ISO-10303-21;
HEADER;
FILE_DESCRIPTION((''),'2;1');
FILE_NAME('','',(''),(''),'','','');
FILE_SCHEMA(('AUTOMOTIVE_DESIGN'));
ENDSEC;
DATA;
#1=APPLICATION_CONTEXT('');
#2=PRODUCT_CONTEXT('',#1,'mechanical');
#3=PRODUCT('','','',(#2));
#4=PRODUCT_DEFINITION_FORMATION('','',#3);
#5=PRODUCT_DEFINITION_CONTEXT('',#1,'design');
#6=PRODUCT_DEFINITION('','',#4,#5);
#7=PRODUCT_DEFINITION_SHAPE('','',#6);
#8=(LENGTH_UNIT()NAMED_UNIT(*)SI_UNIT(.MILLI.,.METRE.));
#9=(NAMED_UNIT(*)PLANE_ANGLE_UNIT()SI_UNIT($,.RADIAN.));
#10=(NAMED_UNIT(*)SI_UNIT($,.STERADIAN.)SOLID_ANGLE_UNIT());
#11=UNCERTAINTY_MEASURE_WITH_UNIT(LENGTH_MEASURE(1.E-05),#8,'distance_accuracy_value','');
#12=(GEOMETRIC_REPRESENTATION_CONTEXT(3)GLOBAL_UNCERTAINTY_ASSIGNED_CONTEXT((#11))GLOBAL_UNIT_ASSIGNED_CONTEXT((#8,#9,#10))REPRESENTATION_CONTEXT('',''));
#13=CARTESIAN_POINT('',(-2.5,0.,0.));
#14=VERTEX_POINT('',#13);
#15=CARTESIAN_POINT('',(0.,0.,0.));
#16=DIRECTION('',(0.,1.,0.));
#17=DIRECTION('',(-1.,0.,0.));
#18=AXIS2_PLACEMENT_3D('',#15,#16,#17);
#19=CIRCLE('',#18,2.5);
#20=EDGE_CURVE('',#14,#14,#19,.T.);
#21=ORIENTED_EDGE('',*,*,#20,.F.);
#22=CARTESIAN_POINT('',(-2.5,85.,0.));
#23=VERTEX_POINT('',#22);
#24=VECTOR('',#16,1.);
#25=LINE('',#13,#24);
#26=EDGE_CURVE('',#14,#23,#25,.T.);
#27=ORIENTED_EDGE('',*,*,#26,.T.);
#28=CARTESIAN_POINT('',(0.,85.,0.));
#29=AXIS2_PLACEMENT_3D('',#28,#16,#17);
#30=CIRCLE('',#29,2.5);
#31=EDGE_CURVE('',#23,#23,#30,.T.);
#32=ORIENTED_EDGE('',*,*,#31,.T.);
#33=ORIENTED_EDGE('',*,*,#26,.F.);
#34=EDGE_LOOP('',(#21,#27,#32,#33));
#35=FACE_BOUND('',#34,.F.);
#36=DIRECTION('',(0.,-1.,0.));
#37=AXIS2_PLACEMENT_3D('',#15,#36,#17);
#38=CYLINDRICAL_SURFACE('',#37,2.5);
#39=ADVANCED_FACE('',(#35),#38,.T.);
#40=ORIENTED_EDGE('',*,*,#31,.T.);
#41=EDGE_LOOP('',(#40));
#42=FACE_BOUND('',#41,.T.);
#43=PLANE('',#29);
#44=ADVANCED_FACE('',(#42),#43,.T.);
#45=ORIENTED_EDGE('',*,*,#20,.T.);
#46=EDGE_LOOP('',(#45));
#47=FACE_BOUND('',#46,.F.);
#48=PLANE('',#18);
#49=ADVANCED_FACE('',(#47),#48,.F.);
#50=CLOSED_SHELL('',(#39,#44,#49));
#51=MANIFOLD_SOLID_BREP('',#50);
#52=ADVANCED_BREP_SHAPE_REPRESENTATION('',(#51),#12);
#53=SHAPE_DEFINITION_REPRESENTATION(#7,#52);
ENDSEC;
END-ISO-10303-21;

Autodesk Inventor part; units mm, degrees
ref_plane "YZ Plane" through (0, 0, 0) normal (1, 0, 0) x (0, 1, 0)
ref_plane "XZ Plane" through (0, 0, 0) normal (0, 1, 0) x (-1, 0, 0)
ref_plane "XY Plane" through (0, 0, 0) normal (0, 0, 1) x (1, 0, 0)
sketch "Эскиз1" plane through (0, 0, 0) normal (0, 1, 0) x (-1, 0, 0)
  circle A0 centre (0, 0) radius 2.5
  dimension "d0" = 5
extrude "Выдавливание1" add sketch "Эскиз1" along normal blind 85
thread "Резьба1" size "M5x0.8" class "6g" standard "ANSI Metric M Profile" full length
properties part number "Screw"
